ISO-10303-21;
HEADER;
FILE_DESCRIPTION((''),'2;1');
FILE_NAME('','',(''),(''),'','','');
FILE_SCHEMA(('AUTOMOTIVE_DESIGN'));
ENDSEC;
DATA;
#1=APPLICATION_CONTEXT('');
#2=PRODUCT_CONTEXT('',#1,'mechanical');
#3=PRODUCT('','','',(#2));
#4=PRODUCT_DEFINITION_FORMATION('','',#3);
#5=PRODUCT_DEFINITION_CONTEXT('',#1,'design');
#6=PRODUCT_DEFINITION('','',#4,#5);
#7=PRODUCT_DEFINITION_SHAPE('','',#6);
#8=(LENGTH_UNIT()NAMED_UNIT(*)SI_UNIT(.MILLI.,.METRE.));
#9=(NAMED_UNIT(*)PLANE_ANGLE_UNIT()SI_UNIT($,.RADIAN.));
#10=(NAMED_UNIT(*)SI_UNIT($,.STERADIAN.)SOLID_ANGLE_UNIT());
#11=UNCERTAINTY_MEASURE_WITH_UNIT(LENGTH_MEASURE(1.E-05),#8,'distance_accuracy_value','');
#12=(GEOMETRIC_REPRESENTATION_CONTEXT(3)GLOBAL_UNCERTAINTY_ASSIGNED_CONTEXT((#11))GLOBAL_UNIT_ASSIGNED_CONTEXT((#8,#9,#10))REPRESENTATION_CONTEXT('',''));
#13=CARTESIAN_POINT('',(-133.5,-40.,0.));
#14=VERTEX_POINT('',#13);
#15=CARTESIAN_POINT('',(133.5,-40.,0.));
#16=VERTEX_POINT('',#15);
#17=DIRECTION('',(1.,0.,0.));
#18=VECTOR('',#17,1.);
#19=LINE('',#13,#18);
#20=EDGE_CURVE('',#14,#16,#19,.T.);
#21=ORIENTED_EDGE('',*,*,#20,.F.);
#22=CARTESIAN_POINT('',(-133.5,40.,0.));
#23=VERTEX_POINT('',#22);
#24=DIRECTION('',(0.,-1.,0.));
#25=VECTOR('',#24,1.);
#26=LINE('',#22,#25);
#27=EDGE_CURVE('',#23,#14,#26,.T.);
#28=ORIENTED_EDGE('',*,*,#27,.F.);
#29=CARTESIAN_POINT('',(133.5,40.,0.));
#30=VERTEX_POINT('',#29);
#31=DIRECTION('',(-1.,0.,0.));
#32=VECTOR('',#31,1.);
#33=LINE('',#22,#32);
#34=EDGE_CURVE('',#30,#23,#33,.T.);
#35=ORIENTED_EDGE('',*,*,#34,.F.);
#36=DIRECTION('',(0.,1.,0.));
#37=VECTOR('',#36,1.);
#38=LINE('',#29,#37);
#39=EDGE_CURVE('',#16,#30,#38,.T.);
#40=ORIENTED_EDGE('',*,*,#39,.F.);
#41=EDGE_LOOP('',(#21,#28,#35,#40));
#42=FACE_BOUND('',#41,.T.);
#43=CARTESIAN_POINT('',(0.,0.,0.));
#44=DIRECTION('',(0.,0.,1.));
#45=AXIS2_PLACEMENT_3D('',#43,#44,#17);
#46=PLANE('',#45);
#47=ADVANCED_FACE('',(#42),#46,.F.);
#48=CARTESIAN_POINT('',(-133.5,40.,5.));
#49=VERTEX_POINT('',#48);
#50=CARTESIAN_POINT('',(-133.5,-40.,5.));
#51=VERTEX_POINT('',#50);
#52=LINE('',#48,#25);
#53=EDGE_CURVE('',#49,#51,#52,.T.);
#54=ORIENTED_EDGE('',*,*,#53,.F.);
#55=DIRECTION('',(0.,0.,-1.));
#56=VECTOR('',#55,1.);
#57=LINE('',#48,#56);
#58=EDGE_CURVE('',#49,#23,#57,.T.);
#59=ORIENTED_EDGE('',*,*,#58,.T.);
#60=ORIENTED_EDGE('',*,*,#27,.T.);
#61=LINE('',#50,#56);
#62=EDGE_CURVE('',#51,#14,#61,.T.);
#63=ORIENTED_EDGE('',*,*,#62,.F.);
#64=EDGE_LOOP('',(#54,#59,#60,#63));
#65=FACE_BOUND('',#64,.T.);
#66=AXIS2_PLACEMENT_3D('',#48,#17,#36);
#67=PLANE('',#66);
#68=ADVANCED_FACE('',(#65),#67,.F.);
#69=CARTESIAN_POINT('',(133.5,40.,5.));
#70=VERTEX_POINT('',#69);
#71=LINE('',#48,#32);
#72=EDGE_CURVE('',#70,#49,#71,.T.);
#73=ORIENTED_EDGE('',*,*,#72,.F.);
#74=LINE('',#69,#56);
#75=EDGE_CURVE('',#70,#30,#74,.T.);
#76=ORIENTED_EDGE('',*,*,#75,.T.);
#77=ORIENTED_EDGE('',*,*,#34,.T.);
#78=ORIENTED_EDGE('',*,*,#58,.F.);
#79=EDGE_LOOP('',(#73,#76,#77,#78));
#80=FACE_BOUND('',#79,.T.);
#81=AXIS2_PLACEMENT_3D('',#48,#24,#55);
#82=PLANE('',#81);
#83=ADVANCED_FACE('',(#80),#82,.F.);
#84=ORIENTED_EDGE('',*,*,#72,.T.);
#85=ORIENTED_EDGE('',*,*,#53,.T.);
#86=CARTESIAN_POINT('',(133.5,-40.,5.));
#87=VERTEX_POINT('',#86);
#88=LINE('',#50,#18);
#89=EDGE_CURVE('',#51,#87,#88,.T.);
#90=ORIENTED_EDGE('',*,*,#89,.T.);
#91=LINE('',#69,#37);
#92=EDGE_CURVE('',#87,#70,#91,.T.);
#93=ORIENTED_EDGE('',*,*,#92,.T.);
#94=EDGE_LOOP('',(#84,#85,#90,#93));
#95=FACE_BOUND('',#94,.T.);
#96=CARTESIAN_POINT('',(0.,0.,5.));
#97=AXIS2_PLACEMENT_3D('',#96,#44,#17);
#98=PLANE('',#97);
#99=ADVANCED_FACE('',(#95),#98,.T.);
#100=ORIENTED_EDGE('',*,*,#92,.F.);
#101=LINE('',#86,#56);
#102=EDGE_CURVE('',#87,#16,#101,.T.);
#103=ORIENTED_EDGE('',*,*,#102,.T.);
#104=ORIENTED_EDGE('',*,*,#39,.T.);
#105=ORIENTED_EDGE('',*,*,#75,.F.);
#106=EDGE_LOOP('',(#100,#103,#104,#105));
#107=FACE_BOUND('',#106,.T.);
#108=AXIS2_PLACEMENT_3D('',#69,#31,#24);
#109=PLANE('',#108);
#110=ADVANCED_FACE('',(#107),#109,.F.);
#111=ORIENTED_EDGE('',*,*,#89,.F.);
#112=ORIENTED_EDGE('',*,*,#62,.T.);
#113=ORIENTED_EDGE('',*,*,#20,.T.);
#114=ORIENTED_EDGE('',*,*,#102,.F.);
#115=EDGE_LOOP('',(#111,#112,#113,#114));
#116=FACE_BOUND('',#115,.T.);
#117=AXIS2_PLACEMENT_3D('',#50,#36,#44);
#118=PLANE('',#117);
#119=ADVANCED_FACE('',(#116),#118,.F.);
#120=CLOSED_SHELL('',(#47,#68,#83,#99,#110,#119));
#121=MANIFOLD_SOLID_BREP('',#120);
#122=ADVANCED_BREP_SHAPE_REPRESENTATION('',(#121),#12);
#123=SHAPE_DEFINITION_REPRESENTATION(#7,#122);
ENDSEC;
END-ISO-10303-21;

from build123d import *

# Parameters (mm, degrees)
ESQUISSE1_W        = 267
ESQUISSE1_H        = 80
BOSS_EXTRU_1_DEPTH = 5


with BuildPart() as part:
    # Esquisse1 → Boss.-Extru.1 (new body)
    with BuildSketch(Plane.XY):
        Rectangle(ESQUISSE1_W, ESQUISSE1_H)
    extrude(amount=BOSS_EXTRU_1_DEPTH)


solid = part.part
